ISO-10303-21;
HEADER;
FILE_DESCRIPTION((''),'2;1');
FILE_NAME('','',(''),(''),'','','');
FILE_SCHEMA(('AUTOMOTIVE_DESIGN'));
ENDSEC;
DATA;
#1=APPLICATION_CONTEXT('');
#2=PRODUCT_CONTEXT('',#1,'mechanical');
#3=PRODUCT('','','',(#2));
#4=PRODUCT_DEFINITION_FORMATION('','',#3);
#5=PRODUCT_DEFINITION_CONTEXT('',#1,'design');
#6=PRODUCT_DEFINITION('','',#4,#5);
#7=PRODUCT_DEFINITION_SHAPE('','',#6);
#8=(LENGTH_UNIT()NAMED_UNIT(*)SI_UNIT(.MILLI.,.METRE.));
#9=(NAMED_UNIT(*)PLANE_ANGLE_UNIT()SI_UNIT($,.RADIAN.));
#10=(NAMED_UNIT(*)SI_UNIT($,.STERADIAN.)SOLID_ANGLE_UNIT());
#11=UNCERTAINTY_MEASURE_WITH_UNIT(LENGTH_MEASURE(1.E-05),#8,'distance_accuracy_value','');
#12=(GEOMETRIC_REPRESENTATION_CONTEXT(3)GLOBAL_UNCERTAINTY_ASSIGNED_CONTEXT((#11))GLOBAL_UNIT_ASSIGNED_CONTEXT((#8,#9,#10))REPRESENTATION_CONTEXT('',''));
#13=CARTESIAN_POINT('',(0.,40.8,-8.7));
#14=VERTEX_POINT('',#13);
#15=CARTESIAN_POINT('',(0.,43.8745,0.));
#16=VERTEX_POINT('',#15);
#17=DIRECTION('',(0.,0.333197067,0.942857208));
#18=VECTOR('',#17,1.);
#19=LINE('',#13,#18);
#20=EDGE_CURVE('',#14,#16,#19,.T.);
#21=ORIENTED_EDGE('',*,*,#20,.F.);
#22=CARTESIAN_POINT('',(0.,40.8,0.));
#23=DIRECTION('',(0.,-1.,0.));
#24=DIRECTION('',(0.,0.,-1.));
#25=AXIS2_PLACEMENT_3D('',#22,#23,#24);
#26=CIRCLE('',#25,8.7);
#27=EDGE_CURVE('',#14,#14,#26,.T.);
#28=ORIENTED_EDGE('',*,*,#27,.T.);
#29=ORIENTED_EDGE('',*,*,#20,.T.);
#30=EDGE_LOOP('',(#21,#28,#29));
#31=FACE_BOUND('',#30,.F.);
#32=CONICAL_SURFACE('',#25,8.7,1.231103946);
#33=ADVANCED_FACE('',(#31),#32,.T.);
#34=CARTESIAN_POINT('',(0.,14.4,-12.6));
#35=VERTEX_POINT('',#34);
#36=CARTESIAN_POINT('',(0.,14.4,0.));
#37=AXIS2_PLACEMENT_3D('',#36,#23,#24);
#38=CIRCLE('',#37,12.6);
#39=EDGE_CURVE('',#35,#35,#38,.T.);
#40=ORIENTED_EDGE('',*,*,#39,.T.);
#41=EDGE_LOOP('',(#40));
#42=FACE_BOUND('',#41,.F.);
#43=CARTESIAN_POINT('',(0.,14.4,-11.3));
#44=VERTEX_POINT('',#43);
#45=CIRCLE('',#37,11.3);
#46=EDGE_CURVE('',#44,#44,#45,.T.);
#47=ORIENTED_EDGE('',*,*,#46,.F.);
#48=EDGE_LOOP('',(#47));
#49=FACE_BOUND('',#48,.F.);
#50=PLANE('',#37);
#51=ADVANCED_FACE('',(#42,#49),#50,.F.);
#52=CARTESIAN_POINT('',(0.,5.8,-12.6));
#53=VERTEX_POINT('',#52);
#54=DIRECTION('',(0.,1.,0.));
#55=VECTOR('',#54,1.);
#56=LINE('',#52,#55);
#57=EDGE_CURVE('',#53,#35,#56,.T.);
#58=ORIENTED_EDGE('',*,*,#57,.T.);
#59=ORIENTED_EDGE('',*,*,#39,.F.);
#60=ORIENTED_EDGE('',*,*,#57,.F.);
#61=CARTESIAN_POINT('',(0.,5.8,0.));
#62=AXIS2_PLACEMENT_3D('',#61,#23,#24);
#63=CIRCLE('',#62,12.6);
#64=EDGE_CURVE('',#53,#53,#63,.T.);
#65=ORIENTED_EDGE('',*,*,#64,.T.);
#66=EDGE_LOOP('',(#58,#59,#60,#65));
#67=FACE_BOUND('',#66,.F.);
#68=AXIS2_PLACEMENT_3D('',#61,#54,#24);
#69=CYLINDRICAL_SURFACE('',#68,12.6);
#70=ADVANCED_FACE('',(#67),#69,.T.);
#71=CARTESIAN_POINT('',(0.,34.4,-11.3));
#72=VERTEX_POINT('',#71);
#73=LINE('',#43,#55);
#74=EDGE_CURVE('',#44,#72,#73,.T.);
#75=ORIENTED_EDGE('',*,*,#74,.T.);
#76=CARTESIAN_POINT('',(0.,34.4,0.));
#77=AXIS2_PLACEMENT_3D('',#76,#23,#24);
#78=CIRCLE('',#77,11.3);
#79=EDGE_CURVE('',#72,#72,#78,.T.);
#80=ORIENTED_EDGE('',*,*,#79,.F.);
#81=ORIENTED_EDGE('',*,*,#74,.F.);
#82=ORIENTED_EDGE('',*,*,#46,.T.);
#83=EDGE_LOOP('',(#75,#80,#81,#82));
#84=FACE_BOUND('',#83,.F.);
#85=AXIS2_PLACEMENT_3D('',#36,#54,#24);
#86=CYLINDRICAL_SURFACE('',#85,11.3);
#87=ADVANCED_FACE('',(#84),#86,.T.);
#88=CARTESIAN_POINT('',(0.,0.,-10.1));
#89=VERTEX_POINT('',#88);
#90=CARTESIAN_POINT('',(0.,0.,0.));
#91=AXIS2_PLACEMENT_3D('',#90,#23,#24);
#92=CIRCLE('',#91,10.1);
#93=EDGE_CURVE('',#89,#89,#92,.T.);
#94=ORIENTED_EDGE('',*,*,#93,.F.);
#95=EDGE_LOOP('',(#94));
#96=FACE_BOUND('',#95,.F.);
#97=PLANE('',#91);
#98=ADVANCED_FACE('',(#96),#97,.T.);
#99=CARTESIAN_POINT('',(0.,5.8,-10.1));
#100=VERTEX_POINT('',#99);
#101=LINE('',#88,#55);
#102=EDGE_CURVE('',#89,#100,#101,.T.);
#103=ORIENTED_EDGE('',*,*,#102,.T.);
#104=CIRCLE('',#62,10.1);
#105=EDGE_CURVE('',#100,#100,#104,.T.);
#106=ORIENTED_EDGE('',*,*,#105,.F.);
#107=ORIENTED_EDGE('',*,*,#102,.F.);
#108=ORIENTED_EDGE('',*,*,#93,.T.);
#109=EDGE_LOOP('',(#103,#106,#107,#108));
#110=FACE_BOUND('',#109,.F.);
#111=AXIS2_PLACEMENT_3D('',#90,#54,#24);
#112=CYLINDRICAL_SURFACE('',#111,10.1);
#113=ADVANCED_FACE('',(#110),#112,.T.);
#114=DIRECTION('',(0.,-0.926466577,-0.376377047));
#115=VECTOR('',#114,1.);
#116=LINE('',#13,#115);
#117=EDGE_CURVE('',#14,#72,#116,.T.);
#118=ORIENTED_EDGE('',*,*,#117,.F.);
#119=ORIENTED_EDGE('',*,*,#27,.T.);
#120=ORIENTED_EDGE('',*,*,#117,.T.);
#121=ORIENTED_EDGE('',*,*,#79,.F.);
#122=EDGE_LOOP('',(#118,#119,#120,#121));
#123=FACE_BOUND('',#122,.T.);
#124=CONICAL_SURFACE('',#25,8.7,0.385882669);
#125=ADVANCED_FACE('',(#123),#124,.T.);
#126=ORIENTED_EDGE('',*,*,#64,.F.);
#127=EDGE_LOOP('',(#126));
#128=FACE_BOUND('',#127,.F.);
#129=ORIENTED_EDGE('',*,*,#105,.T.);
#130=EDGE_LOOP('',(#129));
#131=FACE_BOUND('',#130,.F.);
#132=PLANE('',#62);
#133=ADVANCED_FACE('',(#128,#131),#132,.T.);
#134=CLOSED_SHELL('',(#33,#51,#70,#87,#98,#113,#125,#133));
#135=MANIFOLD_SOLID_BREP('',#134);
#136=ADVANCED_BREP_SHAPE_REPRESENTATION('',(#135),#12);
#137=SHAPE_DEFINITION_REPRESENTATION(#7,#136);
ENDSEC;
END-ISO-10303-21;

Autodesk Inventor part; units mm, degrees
ref_plane "YZ Plane" through (0, 0, 0) normal (1, 0, 0) x (0, 1, 0)
ref_plane "XZ Plane" through (0, 0, 0) normal (0, 1, 0) x (-1, 0, 0)
ref_plane "XY Plane" through (0, 0, 0) normal (0, 0, 1) x (1, 0, 0)
sketch "Sketch1" plane through (0, 0, 0) normal (1, 0, 0) x (0, 1, 0)
  line L0 (0, 0) -> (0, -10.1)
  line L1 (0, -10.1) -> (5.8, -10.1)
  line L2 (5.8, -10.1) -> (5.8, -12.6)
  line L3 (5.8, -12.6) -> (14.4, -12.6)
  line L4 (14.4, -12.6) -> (14.4, -11.3)
  line L5 (14.4, -11.3) -> (34.4, -11.3)
  line L6 (34.4, -11.3) -> (40.8, -11.3)
  line L7 (40.8, -11.3) -> (40.8, -8.7)
  line L8 (40.8, -8.7) -> (34.4, -11.3)
  line L9 (40.8, -8.7) -> (43.8745, 0)
  line L10 (43.8745, 0) -> (0, 0)
  dimension "d0" = 10.1
  dimension "d1" = 5.8
  dimension "d2" = 90
  dimension "d3" = 2.5
  dimension "d4" = 90
  dimension "d5" = 8.6
  dimension "d6" = 1.3
  dimension "d7" = 90
  dimension "d8" = 20
  dimension "d9" = 6.4
  dimension "d10" = 2.6
revolve "Revolution1" add sketch "Sketch1" angle 360 about axis through (0, 43.8745, 0) along (0, -1, 0) contours L10 L9 L8 L5 L4 L3 L2 L1 L0
properties part number "30_CUBE_openSIM_ObjectiveLens_10x"
